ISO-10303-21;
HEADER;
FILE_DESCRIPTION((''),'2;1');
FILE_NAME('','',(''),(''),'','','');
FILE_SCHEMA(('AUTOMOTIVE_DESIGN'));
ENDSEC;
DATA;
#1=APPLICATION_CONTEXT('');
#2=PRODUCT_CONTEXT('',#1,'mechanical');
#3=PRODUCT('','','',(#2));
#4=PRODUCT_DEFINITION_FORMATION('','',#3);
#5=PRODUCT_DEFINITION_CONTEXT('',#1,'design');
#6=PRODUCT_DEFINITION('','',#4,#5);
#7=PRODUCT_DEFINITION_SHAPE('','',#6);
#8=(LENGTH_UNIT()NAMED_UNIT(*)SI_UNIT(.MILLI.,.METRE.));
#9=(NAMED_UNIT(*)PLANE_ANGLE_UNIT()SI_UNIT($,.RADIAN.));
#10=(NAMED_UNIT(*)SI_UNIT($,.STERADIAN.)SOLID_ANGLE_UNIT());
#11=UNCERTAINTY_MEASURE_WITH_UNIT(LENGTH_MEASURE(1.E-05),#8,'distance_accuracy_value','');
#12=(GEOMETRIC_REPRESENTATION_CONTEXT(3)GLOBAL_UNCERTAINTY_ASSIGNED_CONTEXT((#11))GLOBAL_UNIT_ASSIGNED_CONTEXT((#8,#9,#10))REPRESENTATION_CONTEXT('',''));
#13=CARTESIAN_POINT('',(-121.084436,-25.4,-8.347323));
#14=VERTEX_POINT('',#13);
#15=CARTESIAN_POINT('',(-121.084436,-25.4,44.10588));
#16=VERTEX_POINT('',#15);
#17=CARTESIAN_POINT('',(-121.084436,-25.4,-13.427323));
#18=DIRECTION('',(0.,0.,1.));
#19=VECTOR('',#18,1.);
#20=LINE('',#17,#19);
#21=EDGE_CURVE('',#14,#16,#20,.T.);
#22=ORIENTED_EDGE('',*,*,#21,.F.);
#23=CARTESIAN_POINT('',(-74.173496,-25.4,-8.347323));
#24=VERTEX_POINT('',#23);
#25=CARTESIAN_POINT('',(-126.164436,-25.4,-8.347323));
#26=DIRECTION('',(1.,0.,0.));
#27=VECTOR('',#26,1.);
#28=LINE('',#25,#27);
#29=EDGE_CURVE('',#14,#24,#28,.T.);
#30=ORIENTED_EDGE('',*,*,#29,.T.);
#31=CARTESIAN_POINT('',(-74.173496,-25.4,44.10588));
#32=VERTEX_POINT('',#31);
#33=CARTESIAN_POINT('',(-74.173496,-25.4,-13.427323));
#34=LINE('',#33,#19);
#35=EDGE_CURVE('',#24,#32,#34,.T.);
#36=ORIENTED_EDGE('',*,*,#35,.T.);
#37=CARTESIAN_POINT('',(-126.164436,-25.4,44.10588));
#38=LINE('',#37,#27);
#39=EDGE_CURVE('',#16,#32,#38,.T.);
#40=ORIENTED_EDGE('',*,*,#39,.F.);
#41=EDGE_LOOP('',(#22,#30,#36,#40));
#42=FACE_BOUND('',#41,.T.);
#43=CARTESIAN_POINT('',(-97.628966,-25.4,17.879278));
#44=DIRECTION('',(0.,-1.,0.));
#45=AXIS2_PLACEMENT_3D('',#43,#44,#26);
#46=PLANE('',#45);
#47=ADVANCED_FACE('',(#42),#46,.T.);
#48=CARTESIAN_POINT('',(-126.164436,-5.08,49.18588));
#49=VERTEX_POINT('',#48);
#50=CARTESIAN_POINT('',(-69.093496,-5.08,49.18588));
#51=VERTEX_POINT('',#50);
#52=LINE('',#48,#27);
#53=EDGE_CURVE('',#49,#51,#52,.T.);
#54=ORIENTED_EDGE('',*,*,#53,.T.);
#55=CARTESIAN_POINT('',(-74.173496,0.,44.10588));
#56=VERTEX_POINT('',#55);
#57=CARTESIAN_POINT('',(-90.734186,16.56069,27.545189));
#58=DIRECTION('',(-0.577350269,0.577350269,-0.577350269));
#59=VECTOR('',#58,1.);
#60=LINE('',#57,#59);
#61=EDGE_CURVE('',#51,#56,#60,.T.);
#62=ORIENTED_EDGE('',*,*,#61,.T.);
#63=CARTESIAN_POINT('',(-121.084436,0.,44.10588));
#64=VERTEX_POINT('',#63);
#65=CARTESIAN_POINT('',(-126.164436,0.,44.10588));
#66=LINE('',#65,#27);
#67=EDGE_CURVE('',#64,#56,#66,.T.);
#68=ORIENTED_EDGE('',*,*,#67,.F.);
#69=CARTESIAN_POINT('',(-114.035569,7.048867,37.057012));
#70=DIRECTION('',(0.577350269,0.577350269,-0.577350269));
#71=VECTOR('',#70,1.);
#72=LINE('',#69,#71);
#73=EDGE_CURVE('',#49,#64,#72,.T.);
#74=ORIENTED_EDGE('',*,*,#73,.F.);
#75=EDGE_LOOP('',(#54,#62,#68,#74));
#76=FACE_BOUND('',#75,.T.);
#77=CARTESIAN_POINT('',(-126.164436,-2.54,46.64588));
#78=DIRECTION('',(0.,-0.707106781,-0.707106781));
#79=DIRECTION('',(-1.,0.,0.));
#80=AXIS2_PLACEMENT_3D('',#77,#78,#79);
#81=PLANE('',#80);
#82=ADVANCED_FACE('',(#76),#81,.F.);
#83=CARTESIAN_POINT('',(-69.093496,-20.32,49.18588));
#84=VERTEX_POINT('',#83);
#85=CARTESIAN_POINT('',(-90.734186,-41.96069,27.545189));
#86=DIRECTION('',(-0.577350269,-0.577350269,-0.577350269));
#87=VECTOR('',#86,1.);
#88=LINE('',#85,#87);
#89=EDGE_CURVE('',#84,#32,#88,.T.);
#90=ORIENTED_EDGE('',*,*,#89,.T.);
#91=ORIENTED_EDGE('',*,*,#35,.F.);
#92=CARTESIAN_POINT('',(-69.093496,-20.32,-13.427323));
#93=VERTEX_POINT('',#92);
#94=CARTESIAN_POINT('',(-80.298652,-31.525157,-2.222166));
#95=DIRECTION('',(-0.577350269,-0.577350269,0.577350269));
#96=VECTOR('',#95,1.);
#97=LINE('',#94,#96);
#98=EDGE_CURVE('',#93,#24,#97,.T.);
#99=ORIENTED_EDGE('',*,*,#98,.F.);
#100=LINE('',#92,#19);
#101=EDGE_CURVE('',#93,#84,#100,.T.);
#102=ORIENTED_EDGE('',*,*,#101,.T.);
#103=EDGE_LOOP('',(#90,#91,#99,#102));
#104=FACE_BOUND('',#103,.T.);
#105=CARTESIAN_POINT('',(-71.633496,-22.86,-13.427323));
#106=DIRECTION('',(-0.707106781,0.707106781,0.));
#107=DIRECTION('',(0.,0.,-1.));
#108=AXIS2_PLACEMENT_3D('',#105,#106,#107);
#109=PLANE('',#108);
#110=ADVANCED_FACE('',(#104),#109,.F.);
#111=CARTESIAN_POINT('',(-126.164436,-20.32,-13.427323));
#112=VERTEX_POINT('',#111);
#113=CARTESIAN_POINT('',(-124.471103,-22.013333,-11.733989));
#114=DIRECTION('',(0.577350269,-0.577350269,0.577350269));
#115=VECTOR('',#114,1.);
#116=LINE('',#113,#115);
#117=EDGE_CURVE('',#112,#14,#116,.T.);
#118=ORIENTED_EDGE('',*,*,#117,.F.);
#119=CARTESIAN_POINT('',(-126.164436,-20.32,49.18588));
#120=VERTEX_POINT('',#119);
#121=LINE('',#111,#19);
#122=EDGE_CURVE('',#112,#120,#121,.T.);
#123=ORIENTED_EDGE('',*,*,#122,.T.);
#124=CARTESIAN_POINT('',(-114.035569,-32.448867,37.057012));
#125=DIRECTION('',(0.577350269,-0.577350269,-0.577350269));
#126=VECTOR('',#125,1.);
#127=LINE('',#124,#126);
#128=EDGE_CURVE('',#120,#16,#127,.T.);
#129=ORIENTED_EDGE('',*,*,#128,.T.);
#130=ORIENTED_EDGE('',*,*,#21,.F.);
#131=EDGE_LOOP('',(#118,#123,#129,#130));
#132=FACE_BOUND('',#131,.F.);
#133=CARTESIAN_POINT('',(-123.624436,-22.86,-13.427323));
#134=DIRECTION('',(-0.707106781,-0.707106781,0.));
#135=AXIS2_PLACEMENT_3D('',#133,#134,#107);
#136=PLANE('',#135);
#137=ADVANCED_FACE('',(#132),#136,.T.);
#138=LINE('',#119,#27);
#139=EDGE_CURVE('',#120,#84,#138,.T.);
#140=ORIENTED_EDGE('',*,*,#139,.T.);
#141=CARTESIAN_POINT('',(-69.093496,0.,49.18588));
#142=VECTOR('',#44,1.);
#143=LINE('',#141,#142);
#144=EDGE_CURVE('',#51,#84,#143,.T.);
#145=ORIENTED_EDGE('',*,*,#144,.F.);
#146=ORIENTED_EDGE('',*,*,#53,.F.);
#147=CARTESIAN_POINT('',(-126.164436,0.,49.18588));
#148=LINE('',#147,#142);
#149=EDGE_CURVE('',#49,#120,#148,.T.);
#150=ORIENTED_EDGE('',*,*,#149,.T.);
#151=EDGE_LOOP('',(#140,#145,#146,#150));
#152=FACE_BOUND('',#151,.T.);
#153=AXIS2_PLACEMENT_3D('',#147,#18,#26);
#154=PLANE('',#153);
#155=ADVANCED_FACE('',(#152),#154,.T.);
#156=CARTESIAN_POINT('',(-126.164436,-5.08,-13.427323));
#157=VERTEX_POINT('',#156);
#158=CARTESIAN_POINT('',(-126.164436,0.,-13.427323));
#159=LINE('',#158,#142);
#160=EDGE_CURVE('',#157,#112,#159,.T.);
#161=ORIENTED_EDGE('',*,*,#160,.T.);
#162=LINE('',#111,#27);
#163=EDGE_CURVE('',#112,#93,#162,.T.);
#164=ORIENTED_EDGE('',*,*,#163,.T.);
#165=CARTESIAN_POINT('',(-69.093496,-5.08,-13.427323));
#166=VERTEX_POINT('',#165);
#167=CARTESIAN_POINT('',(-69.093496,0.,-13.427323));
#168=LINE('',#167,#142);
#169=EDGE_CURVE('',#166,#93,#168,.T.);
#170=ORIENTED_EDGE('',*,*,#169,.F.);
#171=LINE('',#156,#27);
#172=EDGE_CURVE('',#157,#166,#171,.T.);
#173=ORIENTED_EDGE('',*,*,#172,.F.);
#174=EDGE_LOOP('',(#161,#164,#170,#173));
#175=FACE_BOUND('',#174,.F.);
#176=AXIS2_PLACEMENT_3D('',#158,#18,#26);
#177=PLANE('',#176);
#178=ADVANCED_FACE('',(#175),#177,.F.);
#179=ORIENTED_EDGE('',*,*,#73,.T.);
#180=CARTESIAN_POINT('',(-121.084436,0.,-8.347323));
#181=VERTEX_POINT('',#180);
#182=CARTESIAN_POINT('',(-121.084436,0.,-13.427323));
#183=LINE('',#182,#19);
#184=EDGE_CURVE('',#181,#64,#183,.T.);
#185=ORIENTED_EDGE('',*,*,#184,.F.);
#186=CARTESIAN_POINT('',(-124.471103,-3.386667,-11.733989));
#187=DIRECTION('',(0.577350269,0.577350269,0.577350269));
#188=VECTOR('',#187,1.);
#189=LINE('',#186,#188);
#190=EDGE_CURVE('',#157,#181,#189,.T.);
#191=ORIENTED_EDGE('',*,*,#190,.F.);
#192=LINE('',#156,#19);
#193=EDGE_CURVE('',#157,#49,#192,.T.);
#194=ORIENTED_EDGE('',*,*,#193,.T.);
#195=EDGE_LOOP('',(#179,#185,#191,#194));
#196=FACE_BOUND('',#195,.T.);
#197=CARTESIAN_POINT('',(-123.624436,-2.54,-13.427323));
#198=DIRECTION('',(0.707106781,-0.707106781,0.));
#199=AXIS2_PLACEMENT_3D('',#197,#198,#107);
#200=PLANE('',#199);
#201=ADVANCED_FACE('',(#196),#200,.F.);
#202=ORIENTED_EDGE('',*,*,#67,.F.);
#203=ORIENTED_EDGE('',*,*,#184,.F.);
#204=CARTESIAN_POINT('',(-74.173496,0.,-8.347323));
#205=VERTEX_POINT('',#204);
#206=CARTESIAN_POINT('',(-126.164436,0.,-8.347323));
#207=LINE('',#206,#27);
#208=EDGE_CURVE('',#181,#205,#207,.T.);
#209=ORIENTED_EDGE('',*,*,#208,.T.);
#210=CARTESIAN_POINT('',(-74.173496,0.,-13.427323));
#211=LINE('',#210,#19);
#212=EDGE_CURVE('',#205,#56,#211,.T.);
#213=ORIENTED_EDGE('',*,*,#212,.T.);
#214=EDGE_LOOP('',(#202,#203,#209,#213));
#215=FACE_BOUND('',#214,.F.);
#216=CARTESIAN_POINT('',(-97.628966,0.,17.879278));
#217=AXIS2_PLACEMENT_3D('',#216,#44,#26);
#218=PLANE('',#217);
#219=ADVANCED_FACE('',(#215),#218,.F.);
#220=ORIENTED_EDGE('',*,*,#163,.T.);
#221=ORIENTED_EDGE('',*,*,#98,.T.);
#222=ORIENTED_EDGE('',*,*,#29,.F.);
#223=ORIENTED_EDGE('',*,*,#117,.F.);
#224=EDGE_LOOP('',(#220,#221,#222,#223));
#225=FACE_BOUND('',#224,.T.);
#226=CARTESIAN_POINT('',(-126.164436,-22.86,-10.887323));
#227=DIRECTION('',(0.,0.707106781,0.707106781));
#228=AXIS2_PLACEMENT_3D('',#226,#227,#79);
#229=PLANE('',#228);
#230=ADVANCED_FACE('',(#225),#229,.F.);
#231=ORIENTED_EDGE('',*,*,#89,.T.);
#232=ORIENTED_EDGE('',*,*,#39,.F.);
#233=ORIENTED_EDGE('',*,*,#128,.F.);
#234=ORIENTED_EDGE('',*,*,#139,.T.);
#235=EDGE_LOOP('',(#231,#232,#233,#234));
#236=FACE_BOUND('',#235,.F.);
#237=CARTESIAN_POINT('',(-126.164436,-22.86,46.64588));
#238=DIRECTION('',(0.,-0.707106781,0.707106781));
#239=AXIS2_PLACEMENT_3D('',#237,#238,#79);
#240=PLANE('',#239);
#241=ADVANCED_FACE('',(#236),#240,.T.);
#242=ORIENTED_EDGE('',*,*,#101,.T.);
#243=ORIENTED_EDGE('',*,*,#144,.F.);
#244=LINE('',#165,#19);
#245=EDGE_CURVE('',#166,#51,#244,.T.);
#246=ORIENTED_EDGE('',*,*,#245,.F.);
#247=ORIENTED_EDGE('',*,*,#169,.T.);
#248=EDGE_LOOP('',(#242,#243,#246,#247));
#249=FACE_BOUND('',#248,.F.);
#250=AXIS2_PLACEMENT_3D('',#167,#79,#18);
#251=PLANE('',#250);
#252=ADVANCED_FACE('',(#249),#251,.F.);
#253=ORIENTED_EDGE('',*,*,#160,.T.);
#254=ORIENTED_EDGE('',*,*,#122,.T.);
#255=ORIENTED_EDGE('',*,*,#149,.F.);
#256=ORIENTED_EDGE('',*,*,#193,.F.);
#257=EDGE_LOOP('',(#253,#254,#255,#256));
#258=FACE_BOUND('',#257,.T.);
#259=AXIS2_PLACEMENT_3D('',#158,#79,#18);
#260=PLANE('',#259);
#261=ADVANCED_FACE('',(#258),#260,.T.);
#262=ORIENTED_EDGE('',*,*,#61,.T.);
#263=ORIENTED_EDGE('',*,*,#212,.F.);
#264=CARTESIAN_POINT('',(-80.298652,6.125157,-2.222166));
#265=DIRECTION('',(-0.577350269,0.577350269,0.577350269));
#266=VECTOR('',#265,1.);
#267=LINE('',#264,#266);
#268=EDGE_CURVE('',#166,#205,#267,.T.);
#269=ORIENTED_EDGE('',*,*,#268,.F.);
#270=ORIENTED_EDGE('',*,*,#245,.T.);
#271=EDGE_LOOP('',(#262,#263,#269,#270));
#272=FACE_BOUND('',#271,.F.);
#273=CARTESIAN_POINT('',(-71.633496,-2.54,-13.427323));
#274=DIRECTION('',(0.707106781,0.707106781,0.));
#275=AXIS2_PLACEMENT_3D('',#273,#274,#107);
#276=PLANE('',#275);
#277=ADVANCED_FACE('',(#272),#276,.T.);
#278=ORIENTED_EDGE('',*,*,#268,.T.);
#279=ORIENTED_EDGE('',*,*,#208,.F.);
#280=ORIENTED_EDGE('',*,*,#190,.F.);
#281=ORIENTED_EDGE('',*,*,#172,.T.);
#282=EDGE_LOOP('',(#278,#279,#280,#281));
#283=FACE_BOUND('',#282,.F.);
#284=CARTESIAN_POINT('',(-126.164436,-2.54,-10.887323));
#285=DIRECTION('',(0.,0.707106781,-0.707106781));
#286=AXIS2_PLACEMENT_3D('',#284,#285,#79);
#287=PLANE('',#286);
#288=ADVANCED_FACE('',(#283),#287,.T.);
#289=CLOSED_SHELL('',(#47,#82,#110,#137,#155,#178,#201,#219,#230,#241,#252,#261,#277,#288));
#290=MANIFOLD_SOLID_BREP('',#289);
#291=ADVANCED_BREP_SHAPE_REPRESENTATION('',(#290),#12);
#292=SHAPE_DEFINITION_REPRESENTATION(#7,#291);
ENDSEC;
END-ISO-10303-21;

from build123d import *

# Parameters (mm, degrees)
F0_W     = 57.070940733
F0_H     = 62.6132022589
F1_DEPTH = 25.4
F0_W_2   = 13.6159174144
F0_H_2   = 7.0780348033
F3_SIZE  = 5.08


with BuildPart() as f1:
    # F0 (on Front) → F1 (new body)
    with BuildSketch(Plane.XZ):
        with Locations((-97.6289659739, 17.8792783991)):
            Rectangle(F0_W, F0_H)
    extrude(amount=F1_DEPTH)

    # F3
    f3_edges = [f1.edges().sort_by_distance(p)[0] for p in [
        (-97.628966, -25.4, 49.18588),
        (-126.164436, -25.4, 17.879278),
        (-97.628966, -25.4, -13.427323),
        (-69.093496, -25.4, 17.879278),
        (-97.628966, 0, 49.18588),
        (-126.164436, 0, 17.879278),
        (-97.628966, 0, -13.427323),
        (-69.093496, 0, 17.879278),
    ]]
    chamfer(f3_edges, length=F3_SIZE)


with BuildPart() as f1b:
    # F0 (on Front) → F1, piece 2 (new body)
    with BuildSketch(Plane.XZ):
        with Locations((-56.7812416703, -20.881687291)):
            Rectangle(F0_W_2, F0_H_2)
    extrude(amount=F1_DEPTH)


solid = f1.part
